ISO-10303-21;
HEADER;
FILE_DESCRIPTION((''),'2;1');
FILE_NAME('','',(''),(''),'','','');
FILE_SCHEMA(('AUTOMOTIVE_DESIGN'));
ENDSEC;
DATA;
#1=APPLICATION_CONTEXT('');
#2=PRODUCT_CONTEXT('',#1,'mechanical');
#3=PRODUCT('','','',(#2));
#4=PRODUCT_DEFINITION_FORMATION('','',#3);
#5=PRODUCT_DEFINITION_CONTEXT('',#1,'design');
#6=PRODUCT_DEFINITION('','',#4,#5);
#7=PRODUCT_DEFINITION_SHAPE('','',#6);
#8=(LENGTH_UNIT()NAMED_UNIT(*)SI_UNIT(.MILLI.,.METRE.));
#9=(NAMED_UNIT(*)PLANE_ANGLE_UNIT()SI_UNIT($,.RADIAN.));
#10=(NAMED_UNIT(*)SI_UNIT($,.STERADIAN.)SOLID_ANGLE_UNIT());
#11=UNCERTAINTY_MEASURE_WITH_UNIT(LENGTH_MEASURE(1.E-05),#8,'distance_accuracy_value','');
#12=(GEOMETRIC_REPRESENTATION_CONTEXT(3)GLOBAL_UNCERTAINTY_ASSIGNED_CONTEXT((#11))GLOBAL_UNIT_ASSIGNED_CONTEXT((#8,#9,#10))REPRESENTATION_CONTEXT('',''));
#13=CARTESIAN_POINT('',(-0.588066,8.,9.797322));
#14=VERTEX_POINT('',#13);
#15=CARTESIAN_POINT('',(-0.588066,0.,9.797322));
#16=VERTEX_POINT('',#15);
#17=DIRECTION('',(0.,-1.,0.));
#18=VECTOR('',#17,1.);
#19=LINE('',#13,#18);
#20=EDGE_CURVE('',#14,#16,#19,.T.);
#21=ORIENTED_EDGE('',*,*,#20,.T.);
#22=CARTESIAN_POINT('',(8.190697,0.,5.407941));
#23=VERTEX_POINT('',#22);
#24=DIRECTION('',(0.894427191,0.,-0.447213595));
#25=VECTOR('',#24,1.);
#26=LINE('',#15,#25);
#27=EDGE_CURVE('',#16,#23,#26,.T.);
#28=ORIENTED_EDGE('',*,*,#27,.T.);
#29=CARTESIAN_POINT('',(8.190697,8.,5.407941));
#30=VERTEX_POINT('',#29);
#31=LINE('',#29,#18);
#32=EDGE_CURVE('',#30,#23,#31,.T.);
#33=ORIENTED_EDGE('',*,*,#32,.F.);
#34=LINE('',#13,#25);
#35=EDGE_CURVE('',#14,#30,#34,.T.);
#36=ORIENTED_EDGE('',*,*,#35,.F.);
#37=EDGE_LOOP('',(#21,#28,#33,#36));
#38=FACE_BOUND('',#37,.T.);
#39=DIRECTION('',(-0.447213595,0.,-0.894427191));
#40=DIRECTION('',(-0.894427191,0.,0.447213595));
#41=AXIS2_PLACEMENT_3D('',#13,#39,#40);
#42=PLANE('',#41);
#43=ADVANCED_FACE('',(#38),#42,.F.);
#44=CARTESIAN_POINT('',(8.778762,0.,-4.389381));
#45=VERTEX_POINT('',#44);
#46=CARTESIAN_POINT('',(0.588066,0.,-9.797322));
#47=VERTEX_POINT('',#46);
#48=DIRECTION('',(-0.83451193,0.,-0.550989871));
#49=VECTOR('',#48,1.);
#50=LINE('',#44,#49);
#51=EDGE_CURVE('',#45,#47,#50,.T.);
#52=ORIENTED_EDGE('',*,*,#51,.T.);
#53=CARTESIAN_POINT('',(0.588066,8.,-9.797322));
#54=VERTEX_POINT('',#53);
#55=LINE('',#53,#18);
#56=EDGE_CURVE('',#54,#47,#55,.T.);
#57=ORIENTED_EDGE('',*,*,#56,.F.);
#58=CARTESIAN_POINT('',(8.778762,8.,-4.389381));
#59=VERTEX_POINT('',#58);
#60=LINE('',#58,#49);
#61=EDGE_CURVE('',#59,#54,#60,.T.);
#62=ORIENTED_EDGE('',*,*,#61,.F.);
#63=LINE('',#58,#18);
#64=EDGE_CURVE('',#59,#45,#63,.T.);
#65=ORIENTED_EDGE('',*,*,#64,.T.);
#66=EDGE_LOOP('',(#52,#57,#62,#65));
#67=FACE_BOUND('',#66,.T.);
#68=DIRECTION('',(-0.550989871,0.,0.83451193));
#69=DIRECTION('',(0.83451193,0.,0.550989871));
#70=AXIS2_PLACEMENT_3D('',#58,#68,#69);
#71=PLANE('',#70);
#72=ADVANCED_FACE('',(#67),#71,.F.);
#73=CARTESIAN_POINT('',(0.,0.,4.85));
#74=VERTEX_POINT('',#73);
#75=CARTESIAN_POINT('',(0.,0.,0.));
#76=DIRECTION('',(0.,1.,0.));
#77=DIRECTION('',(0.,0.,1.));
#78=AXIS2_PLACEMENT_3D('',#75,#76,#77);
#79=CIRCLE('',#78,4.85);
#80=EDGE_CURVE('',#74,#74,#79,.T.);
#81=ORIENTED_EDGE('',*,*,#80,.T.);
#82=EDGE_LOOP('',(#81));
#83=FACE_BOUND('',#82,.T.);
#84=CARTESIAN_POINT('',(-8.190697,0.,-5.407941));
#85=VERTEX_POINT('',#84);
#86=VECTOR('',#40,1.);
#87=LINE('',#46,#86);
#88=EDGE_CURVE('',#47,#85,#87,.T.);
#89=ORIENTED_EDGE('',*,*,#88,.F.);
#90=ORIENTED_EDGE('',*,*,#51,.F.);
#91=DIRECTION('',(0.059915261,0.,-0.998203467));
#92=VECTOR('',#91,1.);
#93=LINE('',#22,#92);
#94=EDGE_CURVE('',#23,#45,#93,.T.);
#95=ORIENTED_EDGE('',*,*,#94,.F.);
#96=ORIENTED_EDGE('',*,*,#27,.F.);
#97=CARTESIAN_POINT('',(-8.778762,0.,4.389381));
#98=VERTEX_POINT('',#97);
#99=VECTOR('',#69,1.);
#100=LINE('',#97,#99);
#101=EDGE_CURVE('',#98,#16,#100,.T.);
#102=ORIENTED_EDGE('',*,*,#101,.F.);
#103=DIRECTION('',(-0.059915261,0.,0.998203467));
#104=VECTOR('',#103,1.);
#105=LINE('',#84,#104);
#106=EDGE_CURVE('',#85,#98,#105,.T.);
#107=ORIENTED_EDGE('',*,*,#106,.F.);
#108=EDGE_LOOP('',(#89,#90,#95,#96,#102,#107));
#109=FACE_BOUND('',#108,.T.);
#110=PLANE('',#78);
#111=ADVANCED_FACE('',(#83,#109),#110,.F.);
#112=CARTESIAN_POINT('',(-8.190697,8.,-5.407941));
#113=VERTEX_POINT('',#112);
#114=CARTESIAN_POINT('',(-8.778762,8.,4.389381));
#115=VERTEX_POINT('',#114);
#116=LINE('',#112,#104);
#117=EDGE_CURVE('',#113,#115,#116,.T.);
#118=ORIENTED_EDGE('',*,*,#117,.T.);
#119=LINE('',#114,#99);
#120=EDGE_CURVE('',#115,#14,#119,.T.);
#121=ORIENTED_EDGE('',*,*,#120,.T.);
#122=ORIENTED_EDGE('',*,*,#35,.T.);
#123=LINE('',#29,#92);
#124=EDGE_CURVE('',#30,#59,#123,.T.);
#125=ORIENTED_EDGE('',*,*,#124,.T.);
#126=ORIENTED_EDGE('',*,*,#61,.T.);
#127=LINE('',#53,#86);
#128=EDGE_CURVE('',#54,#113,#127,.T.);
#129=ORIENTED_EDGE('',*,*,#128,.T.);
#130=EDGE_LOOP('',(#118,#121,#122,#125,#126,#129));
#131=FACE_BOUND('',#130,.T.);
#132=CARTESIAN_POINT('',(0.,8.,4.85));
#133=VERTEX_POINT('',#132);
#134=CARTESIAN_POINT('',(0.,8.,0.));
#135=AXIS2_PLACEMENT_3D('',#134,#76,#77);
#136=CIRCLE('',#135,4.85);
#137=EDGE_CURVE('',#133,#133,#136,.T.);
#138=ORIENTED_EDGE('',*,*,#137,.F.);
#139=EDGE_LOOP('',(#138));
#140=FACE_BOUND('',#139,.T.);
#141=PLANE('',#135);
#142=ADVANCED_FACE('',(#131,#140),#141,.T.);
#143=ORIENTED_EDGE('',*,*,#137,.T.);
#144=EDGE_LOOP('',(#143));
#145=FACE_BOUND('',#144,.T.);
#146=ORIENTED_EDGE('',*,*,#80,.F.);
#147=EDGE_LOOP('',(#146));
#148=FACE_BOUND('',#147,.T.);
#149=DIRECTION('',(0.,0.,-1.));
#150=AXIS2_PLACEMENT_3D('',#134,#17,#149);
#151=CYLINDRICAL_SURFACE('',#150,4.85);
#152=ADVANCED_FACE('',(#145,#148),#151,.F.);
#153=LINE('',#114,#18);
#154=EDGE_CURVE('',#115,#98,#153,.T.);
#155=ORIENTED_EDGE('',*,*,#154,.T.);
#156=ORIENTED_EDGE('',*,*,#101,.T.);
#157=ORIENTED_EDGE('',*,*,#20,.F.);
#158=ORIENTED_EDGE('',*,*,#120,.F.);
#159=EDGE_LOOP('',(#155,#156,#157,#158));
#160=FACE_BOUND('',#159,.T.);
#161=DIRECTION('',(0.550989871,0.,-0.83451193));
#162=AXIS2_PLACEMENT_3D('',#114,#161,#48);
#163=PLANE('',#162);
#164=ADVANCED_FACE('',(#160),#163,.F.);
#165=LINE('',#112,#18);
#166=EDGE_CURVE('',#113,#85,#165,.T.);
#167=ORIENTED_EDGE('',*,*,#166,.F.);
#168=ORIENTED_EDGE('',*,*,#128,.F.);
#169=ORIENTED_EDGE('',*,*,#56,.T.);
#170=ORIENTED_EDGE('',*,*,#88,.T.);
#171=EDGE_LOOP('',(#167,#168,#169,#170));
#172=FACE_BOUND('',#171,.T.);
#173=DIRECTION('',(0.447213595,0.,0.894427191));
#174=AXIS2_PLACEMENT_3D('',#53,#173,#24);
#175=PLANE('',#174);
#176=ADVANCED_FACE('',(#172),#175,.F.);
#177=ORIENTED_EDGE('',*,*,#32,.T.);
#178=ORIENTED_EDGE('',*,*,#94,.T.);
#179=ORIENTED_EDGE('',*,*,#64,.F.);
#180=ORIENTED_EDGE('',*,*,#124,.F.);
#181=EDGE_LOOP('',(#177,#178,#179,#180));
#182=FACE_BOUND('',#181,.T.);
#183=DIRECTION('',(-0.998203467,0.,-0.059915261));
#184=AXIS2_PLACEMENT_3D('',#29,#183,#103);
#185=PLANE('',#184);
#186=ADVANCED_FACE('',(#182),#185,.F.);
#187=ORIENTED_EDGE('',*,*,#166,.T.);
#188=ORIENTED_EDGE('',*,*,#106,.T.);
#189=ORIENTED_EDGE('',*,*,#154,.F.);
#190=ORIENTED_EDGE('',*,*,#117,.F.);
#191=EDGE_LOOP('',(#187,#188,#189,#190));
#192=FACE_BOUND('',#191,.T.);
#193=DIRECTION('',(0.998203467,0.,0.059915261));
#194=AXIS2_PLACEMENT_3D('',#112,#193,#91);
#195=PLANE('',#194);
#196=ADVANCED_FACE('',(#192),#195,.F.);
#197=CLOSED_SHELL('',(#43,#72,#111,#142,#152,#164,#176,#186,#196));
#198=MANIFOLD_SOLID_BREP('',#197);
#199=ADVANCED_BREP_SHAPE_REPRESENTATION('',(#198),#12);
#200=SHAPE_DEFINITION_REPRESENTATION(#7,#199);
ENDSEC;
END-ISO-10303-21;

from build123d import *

# Parameters (mm, degrees)
SKETCH1_R           = 4.85
BOSS_EXTRUDE1_DEPTH = 8


with BuildPart() as part:
    # Sketch1 → Boss-Extrude1 (new body)
    with BuildSketch(Plane(origin=(0, 0, 0), x_dir=(1, 0, 0), z_dir=(0, 1, 0))):
        Polygon((-8.778762251, -4.389381126), (-0.588065564, -9.797321686), (8.190696687, -5.407940561), (8.778762251, 4.389381126), (0.588065564, 9.797321686), (-8.190696687, 5.407940561), align=None)
        with Locations(Location((0, 0, 0), (0, 0, 270))):
            Circle(SKETCH1_R, mode=Mode.SUBTRACT)
    extrude(amount=BOSS_EXTRUDE1_DEPTH)


solid = part.part
